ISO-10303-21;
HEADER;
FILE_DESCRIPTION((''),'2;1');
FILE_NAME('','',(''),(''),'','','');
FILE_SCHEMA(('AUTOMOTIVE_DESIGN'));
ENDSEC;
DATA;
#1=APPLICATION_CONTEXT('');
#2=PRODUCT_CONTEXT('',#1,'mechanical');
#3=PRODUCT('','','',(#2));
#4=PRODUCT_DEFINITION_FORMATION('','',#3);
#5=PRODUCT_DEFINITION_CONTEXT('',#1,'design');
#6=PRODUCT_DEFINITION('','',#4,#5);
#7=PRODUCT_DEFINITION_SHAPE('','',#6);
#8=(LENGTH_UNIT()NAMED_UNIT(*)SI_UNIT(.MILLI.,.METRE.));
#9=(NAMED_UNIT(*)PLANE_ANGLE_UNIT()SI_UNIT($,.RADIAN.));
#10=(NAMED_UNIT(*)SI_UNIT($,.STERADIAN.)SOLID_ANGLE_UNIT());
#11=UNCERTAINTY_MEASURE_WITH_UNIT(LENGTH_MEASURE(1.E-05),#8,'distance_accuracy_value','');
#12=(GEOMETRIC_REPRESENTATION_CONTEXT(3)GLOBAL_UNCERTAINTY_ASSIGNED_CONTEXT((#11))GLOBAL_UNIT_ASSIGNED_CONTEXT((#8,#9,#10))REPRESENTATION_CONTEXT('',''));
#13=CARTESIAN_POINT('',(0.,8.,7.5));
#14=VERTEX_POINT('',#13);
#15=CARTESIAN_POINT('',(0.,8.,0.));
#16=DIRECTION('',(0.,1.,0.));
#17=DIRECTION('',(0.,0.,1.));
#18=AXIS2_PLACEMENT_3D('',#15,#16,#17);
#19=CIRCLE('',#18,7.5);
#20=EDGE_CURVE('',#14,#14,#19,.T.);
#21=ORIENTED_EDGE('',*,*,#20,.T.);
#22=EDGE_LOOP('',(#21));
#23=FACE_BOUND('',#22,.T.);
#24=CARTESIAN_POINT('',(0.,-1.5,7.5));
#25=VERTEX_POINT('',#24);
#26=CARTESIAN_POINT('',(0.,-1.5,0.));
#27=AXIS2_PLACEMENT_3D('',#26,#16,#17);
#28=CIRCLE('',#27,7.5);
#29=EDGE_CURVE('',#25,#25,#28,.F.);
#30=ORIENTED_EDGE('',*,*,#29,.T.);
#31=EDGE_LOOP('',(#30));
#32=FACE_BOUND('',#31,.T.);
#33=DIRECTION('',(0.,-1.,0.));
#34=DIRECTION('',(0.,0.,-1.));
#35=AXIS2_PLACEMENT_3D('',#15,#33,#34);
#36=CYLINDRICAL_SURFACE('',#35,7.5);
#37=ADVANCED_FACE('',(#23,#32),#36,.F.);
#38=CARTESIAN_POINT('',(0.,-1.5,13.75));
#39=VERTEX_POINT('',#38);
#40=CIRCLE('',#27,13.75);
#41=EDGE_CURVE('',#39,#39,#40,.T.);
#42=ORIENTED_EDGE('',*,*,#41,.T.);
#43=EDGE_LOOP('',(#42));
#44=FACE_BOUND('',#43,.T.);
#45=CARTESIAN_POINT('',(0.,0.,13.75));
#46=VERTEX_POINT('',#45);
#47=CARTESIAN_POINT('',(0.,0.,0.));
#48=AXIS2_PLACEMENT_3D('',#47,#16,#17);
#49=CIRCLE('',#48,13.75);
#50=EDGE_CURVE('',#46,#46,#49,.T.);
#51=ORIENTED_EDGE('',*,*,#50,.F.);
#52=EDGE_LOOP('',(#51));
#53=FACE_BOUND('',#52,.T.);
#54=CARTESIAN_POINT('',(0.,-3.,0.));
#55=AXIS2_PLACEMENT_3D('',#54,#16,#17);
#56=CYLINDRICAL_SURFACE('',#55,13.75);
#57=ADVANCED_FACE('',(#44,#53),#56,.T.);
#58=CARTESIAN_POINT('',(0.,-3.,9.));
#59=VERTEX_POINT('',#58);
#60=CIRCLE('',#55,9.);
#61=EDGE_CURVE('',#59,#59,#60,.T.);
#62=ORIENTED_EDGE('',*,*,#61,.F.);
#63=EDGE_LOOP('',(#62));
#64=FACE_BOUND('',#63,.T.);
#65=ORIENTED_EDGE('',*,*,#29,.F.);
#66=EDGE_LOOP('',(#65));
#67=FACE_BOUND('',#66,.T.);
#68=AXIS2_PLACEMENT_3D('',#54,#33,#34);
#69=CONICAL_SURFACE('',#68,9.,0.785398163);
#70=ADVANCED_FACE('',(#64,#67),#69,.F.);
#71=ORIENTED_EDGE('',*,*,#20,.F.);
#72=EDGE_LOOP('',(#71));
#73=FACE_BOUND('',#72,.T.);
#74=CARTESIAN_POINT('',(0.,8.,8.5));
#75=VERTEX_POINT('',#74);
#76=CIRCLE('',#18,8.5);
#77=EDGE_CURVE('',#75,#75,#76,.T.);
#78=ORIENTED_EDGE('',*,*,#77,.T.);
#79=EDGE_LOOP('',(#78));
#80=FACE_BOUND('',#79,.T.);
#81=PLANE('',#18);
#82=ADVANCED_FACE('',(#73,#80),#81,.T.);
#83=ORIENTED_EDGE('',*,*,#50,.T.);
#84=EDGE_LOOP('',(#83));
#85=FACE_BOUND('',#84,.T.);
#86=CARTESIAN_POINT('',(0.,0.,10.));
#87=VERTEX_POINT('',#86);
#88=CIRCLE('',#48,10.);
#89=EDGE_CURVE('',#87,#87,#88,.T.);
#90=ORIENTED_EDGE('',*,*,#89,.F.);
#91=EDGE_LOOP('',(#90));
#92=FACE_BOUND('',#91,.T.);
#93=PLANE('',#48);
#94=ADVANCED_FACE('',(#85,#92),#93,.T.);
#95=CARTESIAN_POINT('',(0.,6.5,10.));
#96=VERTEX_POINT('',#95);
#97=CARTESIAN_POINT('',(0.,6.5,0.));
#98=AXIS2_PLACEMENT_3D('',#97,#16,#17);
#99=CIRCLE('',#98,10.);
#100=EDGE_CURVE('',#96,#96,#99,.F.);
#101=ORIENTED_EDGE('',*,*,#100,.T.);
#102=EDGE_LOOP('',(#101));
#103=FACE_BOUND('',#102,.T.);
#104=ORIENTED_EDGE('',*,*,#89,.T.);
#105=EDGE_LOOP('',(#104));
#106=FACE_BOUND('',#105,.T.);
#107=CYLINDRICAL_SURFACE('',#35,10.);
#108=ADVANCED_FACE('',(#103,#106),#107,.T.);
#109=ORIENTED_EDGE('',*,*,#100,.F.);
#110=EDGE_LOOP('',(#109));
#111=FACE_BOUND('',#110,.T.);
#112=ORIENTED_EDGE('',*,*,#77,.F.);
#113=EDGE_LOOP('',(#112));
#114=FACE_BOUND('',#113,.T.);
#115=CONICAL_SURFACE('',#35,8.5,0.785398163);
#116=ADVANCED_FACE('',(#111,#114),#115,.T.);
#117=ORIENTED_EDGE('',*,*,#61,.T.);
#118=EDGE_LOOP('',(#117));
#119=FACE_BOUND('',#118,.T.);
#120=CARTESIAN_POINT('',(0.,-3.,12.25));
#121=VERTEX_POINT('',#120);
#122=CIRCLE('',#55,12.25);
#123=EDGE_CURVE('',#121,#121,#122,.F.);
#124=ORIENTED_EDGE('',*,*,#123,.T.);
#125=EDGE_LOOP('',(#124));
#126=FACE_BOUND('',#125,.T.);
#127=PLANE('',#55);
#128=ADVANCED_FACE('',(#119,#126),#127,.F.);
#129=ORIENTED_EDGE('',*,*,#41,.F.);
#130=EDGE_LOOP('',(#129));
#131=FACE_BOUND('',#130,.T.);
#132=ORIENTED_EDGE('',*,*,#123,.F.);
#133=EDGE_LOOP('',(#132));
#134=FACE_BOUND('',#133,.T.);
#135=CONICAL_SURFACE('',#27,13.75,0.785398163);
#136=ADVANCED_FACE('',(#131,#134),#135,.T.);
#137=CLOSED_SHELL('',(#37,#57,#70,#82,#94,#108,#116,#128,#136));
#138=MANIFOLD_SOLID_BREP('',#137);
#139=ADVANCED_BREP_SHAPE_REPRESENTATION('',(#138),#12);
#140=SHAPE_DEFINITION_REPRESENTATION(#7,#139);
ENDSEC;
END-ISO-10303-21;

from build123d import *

# Parameters (mm, degrees)
SKETCH2_R           = 10
SKETCH2_R_2         = 7.5
BOSS_EXTRUDE1_DEPTH = 8
BOSS_EXTRUDE2_START = -3
SKETCH3_R           = 13.75
SKETCH3_R_2         = 10
SKETCH3_R_3         = 7.5
BOSS_EXTRUDE2_DEPTH = 3
CHAMFER1_SIZE       = 1.5


with BuildPart() as part:
    # Sketch2 → Boss-Extrude1 (new body)
    with BuildSketch(Plane(origin=(0, 0, 0), x_dir=(1, 0, 0), z_dir=(0, 1, 0))):
        with Locations(Location((0, 0, 0), (0, 0, 270))):
            Circle(SKETCH2_R)
        with Locations(Location((0, 0, 0), (0, 0, 270))):
            Circle(SKETCH2_R_2, mode=Mode.SUBTRACT)
    extrude(amount=BOSS_EXTRUDE1_DEPTH)

    # Sketch3 → Boss-Extrude2 (add)
    # profile 1 of 2: a face of its own
    with BuildSketch(Plane(origin=(0, 0, 0), x_dir=(1, 0, 0), z_dir=(0, 1, 0)).offset(BOSS_EXTRUDE2_START)):
        with Locations(Location((0, 0, 0), (0, 0, 270))):
            Circle(SKETCH3_R)
        with Locations(Location((0, 0, 0), (0, 0, 270))):
            Circle(SKETCH3_R_2, mode=Mode.SUBTRACT)
    # profile 2 of 2: a face of its own
    with BuildSketch(Plane(origin=(0, 0, 0), x_dir=(1, 0, 0), z_dir=(0, 1, 0)).offset(BOSS_EXTRUDE2_START)):
        with Locations(Location((0, 0, 0), (0, 0, 270))):
            Circle(SKETCH3_R_2)
        with Locations(Location((0, 0, 0), (0, 0, 270))):
            Circle(SKETCH3_R_3, mode=Mode.SUBTRACT)
    extrude(amount=BOSS_EXTRUDE2_DEPTH)

    # Chamfer1
    chamfer1_edges = [part.edges().sort_by_distance(p)[0] for p in [
        (0, -3, -13.75),
        (0, -3, -7.5),
        (0, 8, -10),
    ]]
    chamfer(chamfer1_edges, length=CHAMFER1_SIZE)


solid = part.part
